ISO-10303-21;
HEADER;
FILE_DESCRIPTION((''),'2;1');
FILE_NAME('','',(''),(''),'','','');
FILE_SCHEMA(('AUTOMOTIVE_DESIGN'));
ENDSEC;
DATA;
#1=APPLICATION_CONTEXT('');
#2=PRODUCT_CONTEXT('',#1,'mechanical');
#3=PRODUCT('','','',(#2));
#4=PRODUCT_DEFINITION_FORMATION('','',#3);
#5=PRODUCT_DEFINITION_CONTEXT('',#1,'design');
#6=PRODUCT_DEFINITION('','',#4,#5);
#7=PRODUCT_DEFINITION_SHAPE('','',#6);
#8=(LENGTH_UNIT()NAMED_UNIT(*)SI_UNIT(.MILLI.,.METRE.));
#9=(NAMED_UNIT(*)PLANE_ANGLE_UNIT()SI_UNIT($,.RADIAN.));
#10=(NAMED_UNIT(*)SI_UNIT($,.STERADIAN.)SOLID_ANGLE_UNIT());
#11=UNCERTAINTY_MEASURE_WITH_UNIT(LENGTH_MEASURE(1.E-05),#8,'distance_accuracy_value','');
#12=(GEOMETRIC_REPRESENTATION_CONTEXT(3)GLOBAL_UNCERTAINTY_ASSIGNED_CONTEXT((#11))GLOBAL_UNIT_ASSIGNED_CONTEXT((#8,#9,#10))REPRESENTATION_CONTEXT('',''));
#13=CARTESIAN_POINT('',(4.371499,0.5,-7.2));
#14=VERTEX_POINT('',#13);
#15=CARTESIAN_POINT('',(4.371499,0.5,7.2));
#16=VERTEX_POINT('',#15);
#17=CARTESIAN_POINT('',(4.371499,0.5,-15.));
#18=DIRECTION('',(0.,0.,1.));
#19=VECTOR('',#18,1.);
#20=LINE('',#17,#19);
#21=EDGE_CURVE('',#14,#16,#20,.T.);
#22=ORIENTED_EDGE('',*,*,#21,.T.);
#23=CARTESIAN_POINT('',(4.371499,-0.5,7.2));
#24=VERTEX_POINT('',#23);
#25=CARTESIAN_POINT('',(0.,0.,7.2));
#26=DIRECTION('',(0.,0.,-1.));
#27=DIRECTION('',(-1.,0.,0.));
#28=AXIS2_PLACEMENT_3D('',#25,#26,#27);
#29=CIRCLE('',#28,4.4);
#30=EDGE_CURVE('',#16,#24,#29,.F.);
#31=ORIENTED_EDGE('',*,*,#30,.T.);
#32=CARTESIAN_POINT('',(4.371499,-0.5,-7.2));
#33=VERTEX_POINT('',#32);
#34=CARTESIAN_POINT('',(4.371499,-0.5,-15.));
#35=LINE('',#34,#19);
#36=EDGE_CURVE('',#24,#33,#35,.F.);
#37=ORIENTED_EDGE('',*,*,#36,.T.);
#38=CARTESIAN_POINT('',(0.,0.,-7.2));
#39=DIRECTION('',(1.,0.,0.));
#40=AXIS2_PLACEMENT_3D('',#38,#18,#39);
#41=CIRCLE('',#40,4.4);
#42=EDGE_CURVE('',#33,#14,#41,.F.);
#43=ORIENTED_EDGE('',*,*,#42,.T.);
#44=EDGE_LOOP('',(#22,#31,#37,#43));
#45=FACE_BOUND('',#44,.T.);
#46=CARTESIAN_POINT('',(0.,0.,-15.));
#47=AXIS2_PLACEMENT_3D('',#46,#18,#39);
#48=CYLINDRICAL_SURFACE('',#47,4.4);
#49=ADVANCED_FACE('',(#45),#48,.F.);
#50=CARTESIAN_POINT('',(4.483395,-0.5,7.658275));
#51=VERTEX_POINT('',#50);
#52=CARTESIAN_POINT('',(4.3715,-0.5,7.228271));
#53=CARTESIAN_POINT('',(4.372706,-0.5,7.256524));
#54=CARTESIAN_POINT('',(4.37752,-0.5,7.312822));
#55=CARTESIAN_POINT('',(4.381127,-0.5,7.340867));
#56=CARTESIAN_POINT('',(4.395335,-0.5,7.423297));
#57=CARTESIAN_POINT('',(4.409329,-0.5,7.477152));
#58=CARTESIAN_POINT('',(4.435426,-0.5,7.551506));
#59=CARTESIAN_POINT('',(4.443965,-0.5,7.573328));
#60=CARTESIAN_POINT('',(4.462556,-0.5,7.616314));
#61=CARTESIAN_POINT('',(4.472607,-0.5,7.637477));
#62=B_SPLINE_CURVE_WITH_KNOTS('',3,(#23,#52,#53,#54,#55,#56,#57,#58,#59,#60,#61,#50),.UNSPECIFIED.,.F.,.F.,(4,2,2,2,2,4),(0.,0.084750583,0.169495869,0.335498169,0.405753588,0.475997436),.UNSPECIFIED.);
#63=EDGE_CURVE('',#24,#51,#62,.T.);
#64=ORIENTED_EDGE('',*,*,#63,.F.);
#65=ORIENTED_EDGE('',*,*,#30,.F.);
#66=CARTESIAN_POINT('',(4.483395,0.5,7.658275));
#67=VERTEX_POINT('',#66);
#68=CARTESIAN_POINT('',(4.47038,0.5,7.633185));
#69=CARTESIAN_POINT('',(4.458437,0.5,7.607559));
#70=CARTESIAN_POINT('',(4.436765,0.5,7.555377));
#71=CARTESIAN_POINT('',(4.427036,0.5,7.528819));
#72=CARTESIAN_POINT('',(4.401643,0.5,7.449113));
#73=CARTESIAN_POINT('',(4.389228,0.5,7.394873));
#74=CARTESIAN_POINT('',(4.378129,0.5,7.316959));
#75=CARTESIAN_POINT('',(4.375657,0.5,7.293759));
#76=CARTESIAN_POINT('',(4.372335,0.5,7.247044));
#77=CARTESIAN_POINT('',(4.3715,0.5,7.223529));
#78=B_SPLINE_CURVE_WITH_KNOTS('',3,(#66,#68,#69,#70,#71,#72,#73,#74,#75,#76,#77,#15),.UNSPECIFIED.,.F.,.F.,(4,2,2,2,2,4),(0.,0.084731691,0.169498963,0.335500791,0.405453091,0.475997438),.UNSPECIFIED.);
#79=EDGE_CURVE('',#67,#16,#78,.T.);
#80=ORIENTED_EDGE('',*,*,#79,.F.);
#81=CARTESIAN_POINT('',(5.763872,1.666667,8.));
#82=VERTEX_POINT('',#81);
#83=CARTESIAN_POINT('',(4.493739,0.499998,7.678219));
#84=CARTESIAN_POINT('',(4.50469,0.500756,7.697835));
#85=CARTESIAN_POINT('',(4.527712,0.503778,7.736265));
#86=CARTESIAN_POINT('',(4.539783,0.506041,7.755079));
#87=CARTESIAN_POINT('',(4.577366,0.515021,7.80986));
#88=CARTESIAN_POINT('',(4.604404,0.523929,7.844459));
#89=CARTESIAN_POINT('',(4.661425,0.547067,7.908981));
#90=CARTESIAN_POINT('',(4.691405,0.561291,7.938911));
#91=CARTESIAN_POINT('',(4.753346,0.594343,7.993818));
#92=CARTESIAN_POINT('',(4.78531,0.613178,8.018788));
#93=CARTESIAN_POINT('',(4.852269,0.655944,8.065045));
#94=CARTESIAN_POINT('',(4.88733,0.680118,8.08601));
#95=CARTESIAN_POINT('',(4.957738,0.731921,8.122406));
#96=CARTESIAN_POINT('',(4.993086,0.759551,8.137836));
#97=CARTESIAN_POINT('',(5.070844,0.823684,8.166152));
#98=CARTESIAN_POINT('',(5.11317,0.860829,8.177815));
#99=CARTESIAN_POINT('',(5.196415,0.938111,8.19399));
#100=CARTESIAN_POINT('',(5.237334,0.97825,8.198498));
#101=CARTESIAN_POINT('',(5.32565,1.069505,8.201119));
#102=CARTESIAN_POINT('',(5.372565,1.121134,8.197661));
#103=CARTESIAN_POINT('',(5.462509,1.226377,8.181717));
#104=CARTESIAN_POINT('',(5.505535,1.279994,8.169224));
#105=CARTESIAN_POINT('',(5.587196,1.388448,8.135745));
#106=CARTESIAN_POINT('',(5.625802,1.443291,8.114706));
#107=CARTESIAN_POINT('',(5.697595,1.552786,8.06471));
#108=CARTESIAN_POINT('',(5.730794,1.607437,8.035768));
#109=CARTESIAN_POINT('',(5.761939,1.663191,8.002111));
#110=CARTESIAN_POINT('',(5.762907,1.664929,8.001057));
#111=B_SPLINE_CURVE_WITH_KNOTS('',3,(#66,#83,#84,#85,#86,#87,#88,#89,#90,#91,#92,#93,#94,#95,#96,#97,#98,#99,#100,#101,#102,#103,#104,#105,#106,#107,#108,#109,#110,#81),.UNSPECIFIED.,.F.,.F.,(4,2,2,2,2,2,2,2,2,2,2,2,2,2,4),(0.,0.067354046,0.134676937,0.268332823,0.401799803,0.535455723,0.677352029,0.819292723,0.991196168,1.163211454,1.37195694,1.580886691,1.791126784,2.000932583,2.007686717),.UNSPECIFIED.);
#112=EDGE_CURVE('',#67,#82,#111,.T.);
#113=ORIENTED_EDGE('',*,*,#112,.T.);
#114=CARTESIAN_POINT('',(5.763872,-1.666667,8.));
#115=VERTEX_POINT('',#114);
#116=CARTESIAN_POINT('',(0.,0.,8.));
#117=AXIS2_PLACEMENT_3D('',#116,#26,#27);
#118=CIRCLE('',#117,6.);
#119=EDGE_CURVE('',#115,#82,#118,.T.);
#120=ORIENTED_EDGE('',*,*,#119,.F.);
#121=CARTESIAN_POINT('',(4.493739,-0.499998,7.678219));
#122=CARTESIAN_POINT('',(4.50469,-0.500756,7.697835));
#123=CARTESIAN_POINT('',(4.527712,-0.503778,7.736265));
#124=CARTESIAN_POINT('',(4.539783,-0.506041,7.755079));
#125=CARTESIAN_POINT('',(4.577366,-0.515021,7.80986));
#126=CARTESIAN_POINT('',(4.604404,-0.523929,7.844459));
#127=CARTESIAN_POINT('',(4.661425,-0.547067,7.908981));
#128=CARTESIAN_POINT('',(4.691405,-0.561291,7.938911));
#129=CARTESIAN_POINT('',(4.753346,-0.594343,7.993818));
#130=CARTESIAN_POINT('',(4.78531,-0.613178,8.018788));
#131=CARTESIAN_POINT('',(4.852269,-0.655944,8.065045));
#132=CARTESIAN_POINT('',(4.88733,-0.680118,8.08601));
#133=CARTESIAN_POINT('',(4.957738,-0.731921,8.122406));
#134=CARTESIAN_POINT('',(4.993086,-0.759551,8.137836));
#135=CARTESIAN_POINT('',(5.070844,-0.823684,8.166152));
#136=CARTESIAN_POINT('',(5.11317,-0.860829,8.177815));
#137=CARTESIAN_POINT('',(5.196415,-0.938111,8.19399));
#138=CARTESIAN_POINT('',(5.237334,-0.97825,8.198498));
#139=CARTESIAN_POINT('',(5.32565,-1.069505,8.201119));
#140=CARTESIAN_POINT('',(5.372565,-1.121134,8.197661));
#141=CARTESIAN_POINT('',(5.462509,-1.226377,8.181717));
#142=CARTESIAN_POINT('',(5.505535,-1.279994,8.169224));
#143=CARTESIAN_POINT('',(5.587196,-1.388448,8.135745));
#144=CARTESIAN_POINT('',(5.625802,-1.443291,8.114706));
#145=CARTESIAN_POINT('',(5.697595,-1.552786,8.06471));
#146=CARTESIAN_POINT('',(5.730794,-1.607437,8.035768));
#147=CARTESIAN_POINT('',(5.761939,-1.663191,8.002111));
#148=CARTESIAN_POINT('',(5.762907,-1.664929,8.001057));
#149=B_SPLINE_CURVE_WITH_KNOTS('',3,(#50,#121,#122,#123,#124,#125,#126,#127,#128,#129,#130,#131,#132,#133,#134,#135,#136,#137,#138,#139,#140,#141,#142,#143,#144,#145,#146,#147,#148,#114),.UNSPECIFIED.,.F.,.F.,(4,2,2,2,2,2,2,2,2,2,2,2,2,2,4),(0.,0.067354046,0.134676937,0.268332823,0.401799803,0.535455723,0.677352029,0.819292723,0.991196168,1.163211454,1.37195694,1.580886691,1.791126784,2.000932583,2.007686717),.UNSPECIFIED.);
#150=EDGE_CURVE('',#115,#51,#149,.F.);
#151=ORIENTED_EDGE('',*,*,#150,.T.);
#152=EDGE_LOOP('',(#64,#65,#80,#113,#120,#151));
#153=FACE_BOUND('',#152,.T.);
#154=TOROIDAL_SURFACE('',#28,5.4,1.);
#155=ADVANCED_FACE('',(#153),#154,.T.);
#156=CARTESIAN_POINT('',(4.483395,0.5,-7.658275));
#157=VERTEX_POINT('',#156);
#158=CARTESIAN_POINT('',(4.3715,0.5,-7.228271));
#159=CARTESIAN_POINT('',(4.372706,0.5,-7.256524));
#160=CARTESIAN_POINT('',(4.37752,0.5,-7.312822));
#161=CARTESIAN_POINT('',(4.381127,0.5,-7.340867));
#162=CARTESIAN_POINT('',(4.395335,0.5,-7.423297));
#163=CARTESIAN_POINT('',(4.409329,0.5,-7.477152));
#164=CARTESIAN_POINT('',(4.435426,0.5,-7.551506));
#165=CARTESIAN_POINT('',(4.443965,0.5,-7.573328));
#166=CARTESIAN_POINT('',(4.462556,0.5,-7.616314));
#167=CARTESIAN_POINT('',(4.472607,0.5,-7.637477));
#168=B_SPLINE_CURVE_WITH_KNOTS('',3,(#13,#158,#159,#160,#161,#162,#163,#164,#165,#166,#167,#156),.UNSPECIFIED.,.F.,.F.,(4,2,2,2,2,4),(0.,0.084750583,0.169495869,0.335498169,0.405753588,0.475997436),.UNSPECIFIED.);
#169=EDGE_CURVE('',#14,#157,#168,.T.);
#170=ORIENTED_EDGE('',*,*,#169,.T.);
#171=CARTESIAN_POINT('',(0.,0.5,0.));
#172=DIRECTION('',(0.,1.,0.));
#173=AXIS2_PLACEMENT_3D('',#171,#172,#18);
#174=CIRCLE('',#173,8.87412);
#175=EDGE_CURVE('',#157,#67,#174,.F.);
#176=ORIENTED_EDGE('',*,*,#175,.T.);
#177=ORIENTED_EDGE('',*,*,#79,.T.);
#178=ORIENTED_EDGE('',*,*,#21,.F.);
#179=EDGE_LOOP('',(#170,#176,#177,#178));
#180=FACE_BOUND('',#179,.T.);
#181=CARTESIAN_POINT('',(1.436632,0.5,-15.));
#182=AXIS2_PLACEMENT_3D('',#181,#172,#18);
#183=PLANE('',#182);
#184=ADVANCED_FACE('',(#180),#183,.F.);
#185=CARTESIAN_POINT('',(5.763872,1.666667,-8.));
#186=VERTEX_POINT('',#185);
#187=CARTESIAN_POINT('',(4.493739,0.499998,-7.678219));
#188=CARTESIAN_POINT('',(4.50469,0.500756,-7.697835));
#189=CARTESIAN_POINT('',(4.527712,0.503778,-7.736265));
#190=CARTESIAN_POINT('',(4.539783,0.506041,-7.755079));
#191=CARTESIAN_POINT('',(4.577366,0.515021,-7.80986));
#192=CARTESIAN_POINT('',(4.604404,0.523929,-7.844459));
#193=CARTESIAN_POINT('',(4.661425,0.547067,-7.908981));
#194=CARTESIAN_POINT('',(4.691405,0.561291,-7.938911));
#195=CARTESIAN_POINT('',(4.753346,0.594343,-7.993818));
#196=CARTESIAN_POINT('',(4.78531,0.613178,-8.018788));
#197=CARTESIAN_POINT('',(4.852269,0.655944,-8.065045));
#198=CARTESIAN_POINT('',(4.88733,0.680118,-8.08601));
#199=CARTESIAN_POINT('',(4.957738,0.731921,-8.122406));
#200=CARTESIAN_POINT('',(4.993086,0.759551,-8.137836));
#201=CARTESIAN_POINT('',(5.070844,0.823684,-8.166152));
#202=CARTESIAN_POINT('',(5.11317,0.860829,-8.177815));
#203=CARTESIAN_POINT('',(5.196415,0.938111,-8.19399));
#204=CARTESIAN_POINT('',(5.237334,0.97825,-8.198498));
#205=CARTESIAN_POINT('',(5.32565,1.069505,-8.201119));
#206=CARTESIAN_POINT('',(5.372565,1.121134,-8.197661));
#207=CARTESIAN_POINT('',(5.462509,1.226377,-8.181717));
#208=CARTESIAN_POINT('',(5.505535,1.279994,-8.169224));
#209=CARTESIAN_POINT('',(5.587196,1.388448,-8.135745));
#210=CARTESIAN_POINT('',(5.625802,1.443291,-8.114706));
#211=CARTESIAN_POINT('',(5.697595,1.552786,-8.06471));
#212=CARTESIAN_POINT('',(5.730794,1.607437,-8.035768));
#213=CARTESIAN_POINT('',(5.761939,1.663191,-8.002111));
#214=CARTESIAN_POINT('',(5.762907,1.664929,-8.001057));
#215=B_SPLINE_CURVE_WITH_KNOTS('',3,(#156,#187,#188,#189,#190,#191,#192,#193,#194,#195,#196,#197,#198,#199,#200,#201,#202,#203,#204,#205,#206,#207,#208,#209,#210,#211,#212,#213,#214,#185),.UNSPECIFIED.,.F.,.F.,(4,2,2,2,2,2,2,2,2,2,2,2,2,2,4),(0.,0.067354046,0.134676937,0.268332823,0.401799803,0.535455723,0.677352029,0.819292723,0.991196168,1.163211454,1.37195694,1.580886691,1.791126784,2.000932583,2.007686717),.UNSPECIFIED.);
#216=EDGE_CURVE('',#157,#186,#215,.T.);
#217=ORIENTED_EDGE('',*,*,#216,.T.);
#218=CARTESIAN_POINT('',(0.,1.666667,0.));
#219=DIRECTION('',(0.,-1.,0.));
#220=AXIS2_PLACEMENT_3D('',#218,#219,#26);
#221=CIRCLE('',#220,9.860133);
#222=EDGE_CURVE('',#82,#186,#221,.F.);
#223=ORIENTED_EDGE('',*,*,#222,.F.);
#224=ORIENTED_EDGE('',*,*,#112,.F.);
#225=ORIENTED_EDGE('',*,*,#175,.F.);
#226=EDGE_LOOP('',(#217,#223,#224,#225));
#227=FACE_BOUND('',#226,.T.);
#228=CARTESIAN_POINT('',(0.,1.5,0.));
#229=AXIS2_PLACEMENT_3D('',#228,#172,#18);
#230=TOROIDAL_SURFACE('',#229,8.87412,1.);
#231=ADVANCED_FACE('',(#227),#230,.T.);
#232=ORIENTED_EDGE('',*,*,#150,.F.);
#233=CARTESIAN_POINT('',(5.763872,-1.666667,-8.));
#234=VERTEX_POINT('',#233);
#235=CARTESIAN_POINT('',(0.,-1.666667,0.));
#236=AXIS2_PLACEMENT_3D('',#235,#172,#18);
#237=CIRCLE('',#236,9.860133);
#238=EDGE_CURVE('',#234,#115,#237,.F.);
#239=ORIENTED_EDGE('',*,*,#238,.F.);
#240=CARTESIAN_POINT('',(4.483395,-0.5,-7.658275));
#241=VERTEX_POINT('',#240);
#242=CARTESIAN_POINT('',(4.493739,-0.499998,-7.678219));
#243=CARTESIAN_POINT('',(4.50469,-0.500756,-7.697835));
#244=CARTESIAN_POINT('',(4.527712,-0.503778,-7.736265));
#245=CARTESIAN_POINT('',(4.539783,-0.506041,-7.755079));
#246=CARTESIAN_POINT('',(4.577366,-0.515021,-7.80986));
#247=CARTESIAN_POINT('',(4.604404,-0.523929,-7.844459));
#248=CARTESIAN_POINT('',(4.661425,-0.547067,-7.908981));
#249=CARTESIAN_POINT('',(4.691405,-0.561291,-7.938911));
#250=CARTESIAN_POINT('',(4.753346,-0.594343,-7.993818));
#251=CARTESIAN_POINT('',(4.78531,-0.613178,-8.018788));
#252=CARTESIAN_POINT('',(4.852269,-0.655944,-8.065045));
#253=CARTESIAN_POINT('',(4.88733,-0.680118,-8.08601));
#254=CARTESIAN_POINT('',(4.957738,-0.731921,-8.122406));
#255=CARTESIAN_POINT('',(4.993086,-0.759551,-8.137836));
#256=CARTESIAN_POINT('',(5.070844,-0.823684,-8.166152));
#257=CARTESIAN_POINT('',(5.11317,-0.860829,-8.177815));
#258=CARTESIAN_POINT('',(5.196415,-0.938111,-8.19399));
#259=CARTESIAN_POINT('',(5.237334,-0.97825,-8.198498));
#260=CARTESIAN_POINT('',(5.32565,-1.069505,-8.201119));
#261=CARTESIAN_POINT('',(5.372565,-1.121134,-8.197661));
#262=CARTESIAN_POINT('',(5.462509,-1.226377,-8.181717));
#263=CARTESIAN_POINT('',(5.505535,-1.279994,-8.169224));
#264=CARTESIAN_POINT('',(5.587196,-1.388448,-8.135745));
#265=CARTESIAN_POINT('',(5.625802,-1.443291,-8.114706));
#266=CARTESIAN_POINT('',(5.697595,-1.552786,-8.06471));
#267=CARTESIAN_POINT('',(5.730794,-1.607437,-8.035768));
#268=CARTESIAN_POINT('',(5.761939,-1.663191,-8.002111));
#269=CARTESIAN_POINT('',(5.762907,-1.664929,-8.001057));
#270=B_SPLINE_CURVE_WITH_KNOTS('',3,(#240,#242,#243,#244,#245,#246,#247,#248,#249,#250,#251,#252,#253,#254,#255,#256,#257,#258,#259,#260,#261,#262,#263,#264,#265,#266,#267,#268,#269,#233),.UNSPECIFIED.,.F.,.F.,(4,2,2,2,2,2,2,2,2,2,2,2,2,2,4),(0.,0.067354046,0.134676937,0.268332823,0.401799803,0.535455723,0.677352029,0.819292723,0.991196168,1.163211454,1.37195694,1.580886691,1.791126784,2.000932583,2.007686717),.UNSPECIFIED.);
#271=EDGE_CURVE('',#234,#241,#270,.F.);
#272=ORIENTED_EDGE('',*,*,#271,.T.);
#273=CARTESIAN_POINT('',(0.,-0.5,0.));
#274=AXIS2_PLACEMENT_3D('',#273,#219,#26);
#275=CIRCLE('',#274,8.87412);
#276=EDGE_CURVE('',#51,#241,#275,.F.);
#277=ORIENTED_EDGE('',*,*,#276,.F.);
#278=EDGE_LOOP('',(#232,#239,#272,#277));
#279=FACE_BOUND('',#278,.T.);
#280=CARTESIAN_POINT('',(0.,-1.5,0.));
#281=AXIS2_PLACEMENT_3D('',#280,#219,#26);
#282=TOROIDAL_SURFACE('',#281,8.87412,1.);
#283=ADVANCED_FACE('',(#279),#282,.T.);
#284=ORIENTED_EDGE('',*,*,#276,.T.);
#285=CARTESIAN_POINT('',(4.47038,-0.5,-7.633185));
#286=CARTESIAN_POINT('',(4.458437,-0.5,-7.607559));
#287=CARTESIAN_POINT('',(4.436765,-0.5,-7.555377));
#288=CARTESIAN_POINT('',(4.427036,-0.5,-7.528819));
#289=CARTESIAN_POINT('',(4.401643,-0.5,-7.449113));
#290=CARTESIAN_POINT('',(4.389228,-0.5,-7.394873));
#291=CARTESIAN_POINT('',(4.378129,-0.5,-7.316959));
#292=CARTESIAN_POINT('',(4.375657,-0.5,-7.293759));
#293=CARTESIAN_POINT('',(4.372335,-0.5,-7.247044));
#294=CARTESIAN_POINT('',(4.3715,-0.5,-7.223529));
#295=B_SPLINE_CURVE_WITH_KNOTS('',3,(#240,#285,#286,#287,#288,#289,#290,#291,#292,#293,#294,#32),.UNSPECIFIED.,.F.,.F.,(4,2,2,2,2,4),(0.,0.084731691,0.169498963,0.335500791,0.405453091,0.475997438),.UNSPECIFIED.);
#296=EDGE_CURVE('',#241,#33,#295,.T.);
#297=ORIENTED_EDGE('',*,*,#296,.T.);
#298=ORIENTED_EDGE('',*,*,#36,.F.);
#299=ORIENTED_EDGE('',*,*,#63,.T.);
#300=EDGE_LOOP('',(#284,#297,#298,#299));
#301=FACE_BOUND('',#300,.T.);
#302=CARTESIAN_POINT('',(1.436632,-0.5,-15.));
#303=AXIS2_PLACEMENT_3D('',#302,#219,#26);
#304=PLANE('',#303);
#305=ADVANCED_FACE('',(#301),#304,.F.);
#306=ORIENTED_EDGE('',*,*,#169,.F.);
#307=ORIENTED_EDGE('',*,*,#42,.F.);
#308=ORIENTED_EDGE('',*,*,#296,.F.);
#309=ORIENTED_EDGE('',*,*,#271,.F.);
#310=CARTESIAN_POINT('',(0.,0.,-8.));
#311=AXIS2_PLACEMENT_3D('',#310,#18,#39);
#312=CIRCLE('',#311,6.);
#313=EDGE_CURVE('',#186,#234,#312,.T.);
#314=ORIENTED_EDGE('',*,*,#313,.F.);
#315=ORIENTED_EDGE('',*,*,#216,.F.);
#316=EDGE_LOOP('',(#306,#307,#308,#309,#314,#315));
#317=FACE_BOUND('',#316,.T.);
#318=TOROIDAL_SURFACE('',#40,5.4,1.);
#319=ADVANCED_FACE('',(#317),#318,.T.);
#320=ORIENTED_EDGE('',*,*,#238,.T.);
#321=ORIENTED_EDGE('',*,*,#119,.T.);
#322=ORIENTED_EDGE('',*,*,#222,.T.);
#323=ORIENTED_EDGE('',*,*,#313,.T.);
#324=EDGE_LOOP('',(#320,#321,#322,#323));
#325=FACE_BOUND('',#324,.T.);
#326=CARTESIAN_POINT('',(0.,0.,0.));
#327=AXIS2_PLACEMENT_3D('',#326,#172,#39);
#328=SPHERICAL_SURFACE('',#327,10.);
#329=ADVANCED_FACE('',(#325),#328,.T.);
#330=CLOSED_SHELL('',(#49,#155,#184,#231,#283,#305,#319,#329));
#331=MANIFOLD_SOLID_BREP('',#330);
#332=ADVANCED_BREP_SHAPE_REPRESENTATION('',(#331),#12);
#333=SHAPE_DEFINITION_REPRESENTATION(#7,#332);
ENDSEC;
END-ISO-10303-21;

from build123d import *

# Parameters (mm, degrees)
SKETCH_2_R          = 4.4
CUT_EXTRUDE_1_DEPTH = 15
SKETCH_3_W          = 10.421641006
SKETCH_3_H          = 1
CUT_EXTRUDE_2_DEPTH = 15
FILLET_1_R          = 1


with BuildPart() as part:
    # 스케치1 → 회전2 (revolve)
    with BuildSketch(Plane.XY):
        with BuildLine():
            Line((0, 10), (0, -10))
            ThreePointArc((0, -10), (-10, 0), (0, 10))
        make_face()
    revolve(axis=Axis((0, 11.789684906, 0), (0, -1, 0)))

    # 스케치2 → 컷-돌출1 (cut, symmetric)
    with BuildSketch(Plane.XY):
        with Locations(Location((0, 0, 0), (0, 0, 180))):
            Circle(SKETCH_2_R)
    extrude(amount=CUT_EXTRUDE_1_DEPTH, both=True, mode=Mode.SUBTRACT)

    # 스케치3 → 컷-돌출2 (cut, symmetric)
    with BuildSketch(Plane.XY):
        with Locations((6.647452601, 0)):
            Rectangle(SKETCH_3_W, SKETCH_3_H)
    extrude(amount=CUT_EXTRUDE_2_DEPTH, both=True, mode=Mode.SUBTRACT)

    # 필렛1
    fillet_1_edges = [part.edges().sort_by_distance(p)[0] for p in [
        (-0.250405834, -4.392868837, 8.979977728),
        (9.987492178, 0.5, 0),
        (9.987492178, -0.5, 0),
        (-0.250405834, -4.392868837, -8.979977728),
    ]]
    fillet(fillet_1_edges, radius=FILLET_1_R)


solid = part.part
